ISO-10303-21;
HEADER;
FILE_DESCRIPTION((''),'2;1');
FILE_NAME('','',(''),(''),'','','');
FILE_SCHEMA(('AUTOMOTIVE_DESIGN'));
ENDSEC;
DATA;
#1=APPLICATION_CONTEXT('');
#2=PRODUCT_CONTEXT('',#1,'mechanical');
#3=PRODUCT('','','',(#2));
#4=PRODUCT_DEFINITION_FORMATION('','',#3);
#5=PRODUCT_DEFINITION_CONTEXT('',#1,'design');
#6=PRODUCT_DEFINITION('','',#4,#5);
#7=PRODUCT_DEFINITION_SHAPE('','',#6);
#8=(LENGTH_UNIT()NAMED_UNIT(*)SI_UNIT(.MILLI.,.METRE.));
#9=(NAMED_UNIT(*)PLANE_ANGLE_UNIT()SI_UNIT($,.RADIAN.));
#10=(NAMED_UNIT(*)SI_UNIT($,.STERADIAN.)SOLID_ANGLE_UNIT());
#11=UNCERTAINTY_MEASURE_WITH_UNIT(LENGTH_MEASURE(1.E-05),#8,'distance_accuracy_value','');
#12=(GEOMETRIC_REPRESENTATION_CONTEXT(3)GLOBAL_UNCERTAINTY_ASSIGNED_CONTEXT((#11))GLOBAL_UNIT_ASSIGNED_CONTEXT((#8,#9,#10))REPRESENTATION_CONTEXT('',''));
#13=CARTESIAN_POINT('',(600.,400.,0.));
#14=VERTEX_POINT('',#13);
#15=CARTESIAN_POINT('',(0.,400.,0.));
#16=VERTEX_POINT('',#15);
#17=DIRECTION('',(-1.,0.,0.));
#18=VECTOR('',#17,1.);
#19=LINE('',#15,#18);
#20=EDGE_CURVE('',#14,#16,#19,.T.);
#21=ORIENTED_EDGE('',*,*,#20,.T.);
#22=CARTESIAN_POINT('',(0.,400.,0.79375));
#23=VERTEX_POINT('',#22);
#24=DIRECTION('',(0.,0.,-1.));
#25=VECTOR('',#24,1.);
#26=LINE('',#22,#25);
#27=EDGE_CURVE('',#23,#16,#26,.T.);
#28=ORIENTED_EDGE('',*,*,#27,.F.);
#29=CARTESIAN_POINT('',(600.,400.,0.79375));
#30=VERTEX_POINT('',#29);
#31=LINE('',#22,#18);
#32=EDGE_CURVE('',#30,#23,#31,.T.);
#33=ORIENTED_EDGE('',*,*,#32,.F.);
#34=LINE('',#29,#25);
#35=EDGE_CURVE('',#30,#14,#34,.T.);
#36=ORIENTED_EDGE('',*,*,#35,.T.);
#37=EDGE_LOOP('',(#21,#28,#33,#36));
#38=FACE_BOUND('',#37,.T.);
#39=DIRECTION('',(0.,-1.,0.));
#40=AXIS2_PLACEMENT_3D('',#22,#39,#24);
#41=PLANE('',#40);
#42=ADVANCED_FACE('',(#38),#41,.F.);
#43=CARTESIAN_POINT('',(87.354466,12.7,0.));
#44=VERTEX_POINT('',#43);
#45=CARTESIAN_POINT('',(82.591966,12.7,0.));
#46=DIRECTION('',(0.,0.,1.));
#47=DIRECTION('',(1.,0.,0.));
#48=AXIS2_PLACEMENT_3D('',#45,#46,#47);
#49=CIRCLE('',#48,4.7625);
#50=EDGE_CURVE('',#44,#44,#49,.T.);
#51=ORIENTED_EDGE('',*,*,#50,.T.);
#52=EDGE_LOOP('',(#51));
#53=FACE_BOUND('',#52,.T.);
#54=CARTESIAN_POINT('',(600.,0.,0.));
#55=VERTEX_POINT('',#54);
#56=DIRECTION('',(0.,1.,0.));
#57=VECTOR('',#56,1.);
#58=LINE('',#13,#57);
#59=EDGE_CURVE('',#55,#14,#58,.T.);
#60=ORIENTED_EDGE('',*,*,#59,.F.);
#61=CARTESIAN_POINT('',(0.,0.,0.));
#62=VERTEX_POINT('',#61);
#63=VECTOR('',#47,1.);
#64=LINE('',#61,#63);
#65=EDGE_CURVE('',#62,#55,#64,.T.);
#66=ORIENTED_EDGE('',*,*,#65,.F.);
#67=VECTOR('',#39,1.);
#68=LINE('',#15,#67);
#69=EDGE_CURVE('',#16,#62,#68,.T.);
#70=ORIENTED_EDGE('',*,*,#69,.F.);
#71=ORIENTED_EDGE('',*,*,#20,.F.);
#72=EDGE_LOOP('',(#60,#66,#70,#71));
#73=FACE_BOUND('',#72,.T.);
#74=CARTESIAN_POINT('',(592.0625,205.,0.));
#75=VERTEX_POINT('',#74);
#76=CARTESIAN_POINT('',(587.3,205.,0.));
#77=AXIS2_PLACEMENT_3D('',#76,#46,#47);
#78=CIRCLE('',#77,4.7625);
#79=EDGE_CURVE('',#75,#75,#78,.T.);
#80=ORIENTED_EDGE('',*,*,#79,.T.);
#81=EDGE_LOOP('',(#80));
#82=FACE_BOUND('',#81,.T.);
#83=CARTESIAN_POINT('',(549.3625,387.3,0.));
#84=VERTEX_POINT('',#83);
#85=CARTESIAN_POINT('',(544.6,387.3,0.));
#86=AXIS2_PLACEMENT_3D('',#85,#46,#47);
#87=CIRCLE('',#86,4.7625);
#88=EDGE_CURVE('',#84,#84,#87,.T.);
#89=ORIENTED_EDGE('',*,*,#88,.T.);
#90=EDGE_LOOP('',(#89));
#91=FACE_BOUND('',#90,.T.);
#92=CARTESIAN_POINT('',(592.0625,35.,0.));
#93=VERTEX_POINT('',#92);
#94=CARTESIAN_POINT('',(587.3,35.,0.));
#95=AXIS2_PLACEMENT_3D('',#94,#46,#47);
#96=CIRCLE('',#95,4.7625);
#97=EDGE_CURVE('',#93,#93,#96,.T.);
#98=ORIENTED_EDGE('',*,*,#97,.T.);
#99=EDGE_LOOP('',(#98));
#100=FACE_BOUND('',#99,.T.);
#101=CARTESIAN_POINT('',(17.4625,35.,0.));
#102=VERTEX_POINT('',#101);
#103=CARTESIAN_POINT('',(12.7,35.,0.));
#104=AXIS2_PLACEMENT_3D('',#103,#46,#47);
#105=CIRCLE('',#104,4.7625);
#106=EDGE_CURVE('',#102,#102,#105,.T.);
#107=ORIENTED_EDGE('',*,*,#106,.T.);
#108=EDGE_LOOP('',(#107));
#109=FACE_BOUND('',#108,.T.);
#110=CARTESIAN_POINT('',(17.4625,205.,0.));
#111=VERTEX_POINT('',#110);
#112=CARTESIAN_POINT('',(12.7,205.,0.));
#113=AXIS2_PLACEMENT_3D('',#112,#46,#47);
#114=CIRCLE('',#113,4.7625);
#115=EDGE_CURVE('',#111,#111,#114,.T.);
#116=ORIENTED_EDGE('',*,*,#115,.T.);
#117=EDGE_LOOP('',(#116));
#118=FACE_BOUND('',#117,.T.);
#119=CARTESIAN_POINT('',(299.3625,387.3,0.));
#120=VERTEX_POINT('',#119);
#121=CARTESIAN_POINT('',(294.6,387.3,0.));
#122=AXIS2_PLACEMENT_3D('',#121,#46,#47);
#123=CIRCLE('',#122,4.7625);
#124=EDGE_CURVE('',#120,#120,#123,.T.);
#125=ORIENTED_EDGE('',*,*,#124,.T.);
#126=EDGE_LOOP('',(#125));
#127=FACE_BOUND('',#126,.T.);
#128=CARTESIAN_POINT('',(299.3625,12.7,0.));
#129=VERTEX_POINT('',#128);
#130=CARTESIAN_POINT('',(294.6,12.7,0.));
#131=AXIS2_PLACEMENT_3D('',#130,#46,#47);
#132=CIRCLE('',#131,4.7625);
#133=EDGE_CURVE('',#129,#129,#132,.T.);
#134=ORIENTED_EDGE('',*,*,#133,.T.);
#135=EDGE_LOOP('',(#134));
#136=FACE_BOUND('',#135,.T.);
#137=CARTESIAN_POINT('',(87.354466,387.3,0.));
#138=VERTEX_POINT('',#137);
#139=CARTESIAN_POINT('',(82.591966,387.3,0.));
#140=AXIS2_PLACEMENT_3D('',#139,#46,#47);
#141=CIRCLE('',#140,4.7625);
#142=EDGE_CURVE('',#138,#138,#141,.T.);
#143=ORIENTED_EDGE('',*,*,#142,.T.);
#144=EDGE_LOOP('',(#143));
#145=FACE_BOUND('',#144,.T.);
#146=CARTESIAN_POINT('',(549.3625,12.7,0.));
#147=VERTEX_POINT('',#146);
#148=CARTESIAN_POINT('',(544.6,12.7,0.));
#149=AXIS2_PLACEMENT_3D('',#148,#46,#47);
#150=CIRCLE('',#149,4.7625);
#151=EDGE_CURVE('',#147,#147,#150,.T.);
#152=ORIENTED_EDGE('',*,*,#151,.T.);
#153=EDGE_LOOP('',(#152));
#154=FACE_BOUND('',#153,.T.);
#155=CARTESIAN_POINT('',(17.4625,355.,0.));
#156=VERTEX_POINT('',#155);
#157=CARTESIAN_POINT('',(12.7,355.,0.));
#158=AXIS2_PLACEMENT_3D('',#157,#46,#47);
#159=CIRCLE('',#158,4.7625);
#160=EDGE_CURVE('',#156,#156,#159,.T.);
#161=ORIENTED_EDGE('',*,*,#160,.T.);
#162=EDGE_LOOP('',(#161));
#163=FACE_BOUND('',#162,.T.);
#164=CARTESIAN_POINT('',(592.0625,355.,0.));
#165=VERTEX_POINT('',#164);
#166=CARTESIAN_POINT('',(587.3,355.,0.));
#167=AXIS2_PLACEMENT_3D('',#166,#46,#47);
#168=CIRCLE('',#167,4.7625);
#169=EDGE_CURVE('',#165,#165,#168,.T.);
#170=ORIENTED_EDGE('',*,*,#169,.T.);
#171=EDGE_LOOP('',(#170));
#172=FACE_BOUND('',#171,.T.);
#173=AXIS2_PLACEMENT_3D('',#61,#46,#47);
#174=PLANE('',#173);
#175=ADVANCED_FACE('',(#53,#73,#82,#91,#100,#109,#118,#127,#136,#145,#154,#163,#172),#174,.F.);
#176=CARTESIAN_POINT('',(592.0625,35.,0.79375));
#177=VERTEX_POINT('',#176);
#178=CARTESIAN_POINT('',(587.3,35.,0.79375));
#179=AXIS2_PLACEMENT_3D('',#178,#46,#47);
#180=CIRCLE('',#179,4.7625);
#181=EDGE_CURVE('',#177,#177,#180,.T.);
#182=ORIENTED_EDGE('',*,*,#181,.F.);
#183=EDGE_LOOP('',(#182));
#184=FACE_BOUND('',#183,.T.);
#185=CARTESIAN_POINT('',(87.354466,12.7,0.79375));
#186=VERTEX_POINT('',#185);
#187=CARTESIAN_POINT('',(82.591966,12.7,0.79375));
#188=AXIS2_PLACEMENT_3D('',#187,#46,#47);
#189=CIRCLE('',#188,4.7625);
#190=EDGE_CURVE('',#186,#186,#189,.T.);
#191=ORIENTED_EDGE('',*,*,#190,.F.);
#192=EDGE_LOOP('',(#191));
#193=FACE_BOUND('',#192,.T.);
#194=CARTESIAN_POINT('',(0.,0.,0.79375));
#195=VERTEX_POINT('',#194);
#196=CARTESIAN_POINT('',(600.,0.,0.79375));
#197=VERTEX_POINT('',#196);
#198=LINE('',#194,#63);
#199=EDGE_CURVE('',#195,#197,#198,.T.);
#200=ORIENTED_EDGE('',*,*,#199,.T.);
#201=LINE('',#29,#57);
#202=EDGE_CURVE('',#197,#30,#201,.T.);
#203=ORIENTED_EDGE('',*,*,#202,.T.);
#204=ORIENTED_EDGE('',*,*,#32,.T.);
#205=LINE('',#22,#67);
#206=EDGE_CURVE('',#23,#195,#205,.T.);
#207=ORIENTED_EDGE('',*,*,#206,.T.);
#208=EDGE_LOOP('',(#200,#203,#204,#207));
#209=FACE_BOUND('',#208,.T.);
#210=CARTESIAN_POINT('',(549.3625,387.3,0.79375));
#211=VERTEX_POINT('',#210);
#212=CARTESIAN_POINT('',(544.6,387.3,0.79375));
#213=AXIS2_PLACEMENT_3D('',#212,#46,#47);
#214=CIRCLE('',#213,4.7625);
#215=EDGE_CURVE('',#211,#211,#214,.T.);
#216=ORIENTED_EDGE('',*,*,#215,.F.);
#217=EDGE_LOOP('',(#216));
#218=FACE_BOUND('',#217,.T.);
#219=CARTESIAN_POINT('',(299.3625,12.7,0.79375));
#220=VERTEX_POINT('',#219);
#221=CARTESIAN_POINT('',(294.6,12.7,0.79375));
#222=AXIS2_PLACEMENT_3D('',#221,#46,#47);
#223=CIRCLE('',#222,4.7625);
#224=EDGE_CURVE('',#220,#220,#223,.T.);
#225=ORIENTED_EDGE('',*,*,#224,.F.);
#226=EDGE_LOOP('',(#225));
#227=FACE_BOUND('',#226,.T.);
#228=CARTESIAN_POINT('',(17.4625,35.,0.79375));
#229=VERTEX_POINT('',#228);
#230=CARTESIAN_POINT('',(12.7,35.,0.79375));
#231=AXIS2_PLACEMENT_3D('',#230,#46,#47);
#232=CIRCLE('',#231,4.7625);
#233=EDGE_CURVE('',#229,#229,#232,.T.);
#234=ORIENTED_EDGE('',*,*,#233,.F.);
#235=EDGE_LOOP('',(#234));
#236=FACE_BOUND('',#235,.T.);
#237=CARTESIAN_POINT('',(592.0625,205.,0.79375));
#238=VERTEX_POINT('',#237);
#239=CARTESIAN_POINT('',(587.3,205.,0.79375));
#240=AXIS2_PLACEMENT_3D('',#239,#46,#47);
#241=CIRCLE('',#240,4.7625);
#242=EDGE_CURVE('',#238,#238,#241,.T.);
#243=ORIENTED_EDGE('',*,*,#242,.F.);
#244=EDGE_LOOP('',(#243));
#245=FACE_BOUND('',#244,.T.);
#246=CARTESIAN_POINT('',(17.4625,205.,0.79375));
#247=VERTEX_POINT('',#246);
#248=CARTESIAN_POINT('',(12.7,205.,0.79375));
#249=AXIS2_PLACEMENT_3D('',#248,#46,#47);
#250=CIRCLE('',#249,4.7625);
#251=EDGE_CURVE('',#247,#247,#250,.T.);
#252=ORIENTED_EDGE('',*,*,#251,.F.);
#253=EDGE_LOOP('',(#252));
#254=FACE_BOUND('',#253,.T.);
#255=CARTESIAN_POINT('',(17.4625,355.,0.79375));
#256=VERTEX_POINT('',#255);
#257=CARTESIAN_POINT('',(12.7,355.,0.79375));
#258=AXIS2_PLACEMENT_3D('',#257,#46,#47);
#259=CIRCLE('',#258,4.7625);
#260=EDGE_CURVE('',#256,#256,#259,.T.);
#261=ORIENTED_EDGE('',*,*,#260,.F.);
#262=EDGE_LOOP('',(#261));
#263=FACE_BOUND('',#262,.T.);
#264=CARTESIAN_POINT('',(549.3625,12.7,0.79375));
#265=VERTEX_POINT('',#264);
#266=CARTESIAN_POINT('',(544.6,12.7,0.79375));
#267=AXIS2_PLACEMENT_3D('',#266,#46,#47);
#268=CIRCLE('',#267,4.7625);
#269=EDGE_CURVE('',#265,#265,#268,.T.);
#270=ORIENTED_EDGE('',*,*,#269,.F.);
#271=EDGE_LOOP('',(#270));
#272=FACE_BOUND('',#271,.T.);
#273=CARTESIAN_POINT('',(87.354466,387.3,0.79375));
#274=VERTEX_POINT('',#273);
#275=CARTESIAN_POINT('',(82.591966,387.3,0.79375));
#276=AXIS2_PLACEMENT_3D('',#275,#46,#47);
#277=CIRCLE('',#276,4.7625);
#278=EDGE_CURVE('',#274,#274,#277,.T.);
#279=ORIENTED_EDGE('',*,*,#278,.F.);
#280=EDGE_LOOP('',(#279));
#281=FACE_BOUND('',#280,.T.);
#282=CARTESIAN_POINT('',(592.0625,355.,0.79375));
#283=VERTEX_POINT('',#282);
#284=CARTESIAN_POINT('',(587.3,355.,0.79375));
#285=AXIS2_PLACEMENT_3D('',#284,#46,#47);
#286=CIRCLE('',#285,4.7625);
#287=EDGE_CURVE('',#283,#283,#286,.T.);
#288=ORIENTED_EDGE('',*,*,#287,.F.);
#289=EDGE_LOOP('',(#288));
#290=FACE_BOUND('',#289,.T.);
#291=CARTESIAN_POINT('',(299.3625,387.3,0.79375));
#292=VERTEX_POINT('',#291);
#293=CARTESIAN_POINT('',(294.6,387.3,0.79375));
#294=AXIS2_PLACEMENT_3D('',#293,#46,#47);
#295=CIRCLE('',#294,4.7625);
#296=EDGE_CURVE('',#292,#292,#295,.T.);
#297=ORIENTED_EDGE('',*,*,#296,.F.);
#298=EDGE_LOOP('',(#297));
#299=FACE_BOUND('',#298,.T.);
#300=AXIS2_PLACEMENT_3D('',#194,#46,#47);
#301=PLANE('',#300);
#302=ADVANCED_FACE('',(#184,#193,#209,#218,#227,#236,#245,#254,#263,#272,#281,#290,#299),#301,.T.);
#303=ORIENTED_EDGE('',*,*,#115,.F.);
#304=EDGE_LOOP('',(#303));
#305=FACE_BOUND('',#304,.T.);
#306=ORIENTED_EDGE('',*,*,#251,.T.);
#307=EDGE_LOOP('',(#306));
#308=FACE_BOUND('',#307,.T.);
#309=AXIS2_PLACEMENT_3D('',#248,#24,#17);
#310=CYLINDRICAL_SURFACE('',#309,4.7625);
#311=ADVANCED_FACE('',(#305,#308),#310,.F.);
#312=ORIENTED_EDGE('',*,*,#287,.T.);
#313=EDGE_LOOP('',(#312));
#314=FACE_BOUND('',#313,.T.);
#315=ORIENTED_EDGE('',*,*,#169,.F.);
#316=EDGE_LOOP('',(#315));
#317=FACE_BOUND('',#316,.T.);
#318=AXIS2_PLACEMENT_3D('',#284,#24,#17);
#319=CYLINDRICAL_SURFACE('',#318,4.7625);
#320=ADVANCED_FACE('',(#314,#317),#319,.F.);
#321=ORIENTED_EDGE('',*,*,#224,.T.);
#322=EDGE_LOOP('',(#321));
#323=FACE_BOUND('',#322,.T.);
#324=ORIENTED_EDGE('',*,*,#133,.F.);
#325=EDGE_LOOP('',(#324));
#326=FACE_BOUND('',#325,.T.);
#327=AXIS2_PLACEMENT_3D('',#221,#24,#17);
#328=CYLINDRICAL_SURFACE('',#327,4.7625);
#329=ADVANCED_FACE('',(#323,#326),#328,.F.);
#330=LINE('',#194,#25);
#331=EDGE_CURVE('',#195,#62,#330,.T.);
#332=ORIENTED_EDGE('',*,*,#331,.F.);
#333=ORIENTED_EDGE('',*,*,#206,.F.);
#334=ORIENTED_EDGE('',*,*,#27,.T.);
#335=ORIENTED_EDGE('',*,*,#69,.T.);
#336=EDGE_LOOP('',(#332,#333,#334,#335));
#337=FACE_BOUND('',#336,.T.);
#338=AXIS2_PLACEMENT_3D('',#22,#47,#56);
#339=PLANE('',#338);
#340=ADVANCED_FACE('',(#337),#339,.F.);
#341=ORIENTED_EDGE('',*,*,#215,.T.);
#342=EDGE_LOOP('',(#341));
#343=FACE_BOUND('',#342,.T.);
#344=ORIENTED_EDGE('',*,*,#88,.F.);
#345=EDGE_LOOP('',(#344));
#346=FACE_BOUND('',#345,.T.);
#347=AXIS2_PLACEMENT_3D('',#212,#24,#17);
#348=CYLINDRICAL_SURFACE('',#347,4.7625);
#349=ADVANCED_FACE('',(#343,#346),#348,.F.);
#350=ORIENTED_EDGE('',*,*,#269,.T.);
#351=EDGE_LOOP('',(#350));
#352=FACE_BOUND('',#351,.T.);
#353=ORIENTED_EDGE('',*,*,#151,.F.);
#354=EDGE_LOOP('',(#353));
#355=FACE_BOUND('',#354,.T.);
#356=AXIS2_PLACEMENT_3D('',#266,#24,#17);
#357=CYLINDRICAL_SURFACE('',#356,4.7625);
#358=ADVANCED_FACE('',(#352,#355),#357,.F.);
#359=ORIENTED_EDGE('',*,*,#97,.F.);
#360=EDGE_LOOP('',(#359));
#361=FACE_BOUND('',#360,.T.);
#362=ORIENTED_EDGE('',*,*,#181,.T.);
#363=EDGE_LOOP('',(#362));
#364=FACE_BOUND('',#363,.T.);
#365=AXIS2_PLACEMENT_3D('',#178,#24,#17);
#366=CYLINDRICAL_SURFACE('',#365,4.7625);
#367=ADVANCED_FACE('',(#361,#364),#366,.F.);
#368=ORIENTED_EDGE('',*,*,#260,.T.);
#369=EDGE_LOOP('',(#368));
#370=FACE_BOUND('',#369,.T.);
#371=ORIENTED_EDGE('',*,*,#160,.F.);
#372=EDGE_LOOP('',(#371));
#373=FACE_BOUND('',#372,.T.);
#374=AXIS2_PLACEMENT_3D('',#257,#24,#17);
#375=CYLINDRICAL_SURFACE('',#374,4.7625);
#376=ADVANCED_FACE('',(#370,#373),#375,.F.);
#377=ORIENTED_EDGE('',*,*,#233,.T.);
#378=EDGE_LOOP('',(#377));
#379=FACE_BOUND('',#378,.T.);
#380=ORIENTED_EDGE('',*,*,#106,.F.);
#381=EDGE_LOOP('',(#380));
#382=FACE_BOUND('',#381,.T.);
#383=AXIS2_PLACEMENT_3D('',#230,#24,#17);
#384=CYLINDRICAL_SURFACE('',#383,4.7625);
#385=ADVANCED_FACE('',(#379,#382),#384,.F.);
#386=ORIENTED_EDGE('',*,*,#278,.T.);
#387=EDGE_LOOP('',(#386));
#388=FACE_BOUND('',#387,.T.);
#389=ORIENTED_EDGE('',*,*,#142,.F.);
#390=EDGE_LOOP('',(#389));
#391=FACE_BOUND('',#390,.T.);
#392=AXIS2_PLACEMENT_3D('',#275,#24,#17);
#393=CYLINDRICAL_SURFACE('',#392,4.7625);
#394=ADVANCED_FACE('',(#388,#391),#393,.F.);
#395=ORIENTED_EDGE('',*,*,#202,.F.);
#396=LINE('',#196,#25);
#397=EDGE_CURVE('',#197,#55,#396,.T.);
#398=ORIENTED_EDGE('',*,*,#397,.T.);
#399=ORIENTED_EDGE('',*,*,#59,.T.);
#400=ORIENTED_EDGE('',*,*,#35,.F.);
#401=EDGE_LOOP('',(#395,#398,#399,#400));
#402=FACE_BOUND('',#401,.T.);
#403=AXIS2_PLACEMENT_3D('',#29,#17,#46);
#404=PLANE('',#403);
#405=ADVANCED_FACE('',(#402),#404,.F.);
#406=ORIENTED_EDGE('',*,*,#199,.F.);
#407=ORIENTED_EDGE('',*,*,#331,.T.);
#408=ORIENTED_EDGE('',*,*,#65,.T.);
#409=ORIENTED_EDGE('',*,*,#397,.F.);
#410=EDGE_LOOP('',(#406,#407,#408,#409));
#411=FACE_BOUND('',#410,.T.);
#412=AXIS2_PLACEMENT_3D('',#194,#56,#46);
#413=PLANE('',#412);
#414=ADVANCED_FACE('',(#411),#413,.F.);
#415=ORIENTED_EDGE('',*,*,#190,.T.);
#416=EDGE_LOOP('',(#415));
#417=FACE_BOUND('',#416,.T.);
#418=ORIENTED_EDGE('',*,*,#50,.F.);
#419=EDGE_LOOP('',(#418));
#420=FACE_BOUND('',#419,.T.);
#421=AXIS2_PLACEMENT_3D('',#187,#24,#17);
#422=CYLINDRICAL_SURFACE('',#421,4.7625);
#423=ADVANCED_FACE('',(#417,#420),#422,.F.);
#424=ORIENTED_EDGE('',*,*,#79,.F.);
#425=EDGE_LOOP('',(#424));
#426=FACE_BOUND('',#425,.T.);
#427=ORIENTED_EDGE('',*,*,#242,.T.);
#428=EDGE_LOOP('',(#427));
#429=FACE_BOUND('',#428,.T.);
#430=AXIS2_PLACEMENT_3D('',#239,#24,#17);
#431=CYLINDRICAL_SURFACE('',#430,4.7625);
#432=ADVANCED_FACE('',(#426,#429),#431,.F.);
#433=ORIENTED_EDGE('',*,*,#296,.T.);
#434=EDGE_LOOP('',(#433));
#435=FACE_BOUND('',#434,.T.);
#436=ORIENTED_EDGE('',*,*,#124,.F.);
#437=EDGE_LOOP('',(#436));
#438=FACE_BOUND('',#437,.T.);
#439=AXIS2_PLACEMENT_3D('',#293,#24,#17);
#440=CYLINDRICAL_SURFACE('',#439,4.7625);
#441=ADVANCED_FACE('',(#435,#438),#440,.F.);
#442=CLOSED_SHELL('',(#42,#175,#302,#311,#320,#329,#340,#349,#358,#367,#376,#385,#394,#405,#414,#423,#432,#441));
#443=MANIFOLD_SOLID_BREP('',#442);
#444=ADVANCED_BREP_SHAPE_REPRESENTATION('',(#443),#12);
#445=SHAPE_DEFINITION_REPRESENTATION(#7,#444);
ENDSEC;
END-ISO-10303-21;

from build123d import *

# Parameters (mm, degrees)
CROQUIS1_W              = 600
CROQUIS1_H              = 400
CROQUIS1_R              = 4.7625
SALIENTE_EXTRUIR1_DEPTH = 0.79375


with BuildPart() as part:
    # Croquis1 → Saliente-Extruir1 (new body)
    with BuildSketch(Plane.XY):
        with Locations((300, 200)):
            Rectangle(CROQUIS1_W, CROQUIS1_H)
        with Locations((82.591965889, 387.3)):
            Circle(CROQUIS1_R, mode=Mode.SUBTRACT)
        with Locations((294.6, 387.3)):
            Circle(CROQUIS1_R, mode=Mode.SUBTRACT)
        with Locations((544.6, 387.3)):
            Circle(CROQUIS1_R, mode=Mode.SUBTRACT)
        with Locations((12.7, 355)):
            Circle(CROQUIS1_R, mode=Mode.SUBTRACT)
        with Locations((12.7, 205)):
            Circle(CROQUIS1_R, mode=Mode.SUBTRACT)
        with Locations((12.7, 35)):
            Circle(CROQUIS1_R, mode=Mode.SUBTRACT)
        with Locations((82.591965889, 12.7)):
            Circle(CROQUIS1_R, mode=Mode.SUBTRACT)
        with Locations((294.6, 12.7)):
            Circle(CROQUIS1_R, mode=Mode.SUBTRACT)
        with Locations((544.6, 12.7)):
            Circle(CROQUIS1_R, mode=Mode.SUBTRACT)
        with Locations((587.3, 355)):
            Circle(CROQUIS1_R, mode=Mode.SUBTRACT)
        with Locations((587.3, 205)):
            Circle(CROQUIS1_R, mode=Mode.SUBTRACT)
        with Locations((587.3, 35)):
            Circle(CROQUIS1_R, mode=Mode.SUBTRACT)
    extrude(amount=SALIENTE_EXTRUIR1_DEPTH)


solid = part.part
